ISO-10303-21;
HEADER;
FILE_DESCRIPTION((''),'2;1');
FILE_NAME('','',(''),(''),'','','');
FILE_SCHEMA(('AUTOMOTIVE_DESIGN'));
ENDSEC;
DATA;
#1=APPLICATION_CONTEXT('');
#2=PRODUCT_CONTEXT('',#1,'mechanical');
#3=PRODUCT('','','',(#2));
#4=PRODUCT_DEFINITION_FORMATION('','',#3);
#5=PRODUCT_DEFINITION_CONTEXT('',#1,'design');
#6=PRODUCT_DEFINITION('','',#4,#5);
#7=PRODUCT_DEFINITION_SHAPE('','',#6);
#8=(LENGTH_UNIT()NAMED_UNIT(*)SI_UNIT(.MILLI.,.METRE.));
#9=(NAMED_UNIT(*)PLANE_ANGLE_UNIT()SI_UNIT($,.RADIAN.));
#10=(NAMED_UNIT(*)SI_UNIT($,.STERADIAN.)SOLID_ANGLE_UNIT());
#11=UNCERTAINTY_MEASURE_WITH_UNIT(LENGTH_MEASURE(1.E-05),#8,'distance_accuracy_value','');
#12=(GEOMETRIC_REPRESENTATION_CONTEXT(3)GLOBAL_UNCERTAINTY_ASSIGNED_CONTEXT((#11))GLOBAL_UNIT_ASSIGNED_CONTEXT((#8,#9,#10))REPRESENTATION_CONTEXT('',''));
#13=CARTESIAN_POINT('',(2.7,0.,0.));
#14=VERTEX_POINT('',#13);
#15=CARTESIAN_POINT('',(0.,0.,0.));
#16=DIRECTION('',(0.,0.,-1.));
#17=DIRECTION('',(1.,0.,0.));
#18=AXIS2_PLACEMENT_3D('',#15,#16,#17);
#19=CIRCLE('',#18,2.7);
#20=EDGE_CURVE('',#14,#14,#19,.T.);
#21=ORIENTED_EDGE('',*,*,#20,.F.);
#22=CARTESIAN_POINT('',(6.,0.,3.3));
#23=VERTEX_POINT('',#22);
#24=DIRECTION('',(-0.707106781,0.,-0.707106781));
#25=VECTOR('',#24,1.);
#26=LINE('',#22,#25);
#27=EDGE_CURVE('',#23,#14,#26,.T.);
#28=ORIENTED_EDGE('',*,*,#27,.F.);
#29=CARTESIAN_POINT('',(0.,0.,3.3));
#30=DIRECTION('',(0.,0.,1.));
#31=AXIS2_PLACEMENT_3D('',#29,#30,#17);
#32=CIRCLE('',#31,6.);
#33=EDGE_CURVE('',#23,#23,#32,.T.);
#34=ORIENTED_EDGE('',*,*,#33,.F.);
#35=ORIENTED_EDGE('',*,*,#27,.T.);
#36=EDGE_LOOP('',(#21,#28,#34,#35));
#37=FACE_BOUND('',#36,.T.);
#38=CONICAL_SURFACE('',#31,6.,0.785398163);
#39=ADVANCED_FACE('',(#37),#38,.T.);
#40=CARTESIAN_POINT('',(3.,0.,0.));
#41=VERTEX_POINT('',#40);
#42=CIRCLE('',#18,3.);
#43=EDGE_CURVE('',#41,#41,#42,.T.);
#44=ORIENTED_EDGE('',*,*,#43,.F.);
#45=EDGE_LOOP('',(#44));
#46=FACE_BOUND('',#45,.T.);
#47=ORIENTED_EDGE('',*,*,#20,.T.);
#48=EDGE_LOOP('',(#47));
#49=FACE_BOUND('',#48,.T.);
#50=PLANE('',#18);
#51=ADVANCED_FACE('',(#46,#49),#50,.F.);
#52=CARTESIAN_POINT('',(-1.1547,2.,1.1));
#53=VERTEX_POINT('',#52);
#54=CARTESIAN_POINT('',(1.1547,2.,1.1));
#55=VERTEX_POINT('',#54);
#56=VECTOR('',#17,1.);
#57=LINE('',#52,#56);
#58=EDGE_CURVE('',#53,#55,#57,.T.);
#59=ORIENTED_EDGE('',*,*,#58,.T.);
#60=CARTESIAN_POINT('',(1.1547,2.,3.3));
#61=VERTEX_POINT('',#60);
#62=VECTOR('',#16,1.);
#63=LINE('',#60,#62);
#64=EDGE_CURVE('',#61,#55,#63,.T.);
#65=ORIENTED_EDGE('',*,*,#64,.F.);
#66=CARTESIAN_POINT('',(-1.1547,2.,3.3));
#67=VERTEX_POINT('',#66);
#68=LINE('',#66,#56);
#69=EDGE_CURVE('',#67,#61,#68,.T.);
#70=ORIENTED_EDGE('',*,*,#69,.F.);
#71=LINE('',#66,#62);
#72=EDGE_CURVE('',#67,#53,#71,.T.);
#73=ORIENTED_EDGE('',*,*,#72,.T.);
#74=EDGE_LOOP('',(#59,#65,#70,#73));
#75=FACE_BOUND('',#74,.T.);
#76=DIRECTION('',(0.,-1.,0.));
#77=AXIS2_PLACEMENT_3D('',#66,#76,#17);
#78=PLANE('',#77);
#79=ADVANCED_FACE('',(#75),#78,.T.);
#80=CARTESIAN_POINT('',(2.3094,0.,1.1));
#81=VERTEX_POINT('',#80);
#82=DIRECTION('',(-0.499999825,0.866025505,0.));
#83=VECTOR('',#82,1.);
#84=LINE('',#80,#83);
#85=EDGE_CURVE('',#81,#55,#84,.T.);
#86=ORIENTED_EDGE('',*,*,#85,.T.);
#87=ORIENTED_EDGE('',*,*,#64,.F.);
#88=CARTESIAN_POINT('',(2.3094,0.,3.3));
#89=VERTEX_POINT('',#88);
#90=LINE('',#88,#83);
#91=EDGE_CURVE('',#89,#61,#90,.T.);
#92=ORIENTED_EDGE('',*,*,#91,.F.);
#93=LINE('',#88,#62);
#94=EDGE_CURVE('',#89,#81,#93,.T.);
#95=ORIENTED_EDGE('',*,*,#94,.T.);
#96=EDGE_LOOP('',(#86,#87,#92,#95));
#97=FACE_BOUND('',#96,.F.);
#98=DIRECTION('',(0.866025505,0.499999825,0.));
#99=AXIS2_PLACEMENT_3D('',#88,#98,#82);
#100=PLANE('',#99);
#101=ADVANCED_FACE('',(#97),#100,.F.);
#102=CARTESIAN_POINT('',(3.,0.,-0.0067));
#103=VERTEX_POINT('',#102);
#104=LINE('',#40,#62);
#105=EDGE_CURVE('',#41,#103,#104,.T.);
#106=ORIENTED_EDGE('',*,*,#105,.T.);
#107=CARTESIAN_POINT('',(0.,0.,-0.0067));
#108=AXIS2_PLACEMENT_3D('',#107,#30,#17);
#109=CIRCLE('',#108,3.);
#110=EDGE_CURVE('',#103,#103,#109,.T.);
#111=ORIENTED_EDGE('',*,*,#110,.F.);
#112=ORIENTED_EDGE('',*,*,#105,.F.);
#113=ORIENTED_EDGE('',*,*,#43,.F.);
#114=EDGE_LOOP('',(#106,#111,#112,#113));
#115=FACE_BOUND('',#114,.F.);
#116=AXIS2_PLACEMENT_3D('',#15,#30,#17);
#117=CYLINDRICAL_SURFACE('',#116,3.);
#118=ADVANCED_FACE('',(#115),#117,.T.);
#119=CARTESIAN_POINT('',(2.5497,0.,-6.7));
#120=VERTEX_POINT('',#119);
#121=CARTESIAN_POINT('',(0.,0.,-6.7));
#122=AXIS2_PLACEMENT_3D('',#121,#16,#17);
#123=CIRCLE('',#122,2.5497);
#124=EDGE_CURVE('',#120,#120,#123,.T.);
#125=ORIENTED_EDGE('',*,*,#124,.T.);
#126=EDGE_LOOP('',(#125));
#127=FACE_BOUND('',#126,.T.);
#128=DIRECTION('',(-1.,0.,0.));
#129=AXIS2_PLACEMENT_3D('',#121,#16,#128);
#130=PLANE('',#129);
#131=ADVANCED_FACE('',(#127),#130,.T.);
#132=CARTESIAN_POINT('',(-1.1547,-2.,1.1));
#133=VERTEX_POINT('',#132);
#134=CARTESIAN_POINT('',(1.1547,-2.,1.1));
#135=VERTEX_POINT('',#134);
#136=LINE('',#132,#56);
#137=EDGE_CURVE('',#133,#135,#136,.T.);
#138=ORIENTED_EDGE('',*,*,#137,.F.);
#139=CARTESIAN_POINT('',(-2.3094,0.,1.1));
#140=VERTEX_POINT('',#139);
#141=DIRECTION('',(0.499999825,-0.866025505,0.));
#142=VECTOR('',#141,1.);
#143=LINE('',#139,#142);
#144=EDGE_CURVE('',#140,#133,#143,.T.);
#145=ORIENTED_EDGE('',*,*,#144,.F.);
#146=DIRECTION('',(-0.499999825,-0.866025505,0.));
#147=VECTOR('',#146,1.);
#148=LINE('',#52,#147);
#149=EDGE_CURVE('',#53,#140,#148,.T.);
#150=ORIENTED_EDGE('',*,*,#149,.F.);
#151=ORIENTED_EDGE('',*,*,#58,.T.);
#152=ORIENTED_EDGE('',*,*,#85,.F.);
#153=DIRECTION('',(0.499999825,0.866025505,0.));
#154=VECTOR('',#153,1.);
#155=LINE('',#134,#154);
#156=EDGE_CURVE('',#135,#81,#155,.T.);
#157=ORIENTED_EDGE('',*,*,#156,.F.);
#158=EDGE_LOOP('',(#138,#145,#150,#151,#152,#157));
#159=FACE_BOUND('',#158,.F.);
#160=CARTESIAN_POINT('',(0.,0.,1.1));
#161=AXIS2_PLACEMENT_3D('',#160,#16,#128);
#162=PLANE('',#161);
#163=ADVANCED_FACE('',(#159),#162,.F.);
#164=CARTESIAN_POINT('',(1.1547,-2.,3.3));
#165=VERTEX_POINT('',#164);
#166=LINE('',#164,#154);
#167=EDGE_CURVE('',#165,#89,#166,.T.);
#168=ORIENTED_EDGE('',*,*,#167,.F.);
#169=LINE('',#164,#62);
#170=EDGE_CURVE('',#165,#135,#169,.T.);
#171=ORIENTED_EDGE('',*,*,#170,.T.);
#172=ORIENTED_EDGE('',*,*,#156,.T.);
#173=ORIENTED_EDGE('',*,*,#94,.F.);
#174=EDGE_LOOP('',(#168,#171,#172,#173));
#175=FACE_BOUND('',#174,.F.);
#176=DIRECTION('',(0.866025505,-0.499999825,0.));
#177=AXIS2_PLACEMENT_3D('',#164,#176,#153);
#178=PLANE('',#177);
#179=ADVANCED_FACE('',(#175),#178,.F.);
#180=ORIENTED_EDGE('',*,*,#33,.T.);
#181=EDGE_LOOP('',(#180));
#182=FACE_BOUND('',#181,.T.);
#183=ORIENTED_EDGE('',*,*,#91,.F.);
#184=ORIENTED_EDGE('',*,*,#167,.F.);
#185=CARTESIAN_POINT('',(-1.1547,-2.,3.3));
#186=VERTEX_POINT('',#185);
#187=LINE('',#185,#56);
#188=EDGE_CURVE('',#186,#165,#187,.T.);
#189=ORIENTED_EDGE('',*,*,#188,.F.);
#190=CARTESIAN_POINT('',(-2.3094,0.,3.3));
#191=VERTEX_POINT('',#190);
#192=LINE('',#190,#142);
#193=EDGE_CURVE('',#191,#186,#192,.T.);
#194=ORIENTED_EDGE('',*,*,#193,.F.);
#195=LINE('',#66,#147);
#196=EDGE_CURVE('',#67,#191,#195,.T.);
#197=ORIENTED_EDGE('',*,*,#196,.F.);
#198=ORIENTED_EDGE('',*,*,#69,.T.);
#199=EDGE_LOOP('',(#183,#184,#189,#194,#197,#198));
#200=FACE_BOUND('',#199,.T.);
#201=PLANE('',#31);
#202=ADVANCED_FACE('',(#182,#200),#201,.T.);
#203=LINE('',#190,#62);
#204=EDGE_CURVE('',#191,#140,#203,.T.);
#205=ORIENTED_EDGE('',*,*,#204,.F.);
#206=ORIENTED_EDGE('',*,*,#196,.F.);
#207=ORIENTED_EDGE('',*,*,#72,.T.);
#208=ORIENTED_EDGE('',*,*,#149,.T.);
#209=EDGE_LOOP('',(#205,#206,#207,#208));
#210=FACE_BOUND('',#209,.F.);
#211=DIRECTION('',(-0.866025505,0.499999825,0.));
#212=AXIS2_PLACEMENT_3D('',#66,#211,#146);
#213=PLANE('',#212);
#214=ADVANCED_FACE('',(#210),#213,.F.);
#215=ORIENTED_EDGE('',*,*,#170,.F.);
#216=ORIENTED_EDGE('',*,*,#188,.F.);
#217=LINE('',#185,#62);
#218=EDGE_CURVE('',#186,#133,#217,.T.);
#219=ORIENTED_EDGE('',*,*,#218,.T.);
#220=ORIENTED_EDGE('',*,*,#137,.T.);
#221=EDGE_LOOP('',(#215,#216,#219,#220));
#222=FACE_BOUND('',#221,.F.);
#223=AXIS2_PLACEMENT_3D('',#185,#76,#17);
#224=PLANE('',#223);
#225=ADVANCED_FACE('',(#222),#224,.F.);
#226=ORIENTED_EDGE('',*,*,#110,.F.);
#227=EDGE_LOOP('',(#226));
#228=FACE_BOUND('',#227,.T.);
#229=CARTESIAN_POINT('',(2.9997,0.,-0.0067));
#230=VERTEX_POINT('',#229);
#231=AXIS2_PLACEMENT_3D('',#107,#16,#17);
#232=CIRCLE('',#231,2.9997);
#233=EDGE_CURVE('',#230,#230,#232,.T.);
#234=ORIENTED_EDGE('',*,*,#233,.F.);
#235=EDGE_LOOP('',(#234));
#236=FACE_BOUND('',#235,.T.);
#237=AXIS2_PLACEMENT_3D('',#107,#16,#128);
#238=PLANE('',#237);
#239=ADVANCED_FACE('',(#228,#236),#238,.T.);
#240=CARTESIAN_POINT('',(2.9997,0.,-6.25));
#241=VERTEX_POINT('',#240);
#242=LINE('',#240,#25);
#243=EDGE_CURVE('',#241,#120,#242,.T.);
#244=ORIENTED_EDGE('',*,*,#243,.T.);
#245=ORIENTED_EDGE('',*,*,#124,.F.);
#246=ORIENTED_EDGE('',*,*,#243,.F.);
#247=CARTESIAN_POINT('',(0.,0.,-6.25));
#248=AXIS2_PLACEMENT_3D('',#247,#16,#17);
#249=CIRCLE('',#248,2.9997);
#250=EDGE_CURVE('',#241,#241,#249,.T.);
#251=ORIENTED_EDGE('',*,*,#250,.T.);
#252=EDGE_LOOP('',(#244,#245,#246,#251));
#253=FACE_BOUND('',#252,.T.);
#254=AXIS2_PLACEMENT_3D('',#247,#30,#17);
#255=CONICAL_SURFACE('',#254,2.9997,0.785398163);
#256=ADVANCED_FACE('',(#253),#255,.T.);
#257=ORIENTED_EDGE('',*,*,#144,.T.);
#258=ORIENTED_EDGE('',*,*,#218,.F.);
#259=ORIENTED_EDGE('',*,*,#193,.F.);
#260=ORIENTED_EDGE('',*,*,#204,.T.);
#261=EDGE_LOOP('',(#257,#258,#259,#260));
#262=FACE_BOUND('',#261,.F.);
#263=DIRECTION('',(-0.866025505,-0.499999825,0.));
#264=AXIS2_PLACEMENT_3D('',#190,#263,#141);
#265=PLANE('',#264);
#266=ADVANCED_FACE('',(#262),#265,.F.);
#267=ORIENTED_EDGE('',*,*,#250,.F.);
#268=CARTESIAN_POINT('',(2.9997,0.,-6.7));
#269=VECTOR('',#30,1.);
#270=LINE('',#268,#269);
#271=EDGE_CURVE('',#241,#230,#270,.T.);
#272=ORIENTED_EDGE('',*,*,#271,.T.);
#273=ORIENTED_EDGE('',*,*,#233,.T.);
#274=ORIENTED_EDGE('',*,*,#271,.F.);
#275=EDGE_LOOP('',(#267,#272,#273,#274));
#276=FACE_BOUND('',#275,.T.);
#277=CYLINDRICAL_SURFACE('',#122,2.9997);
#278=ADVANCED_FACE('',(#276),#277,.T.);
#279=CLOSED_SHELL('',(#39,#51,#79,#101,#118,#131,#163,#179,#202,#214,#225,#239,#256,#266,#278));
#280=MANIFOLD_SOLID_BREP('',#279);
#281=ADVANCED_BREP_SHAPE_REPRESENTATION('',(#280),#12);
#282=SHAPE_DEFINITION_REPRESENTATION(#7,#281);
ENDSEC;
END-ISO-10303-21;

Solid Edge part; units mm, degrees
sketch "Sketch1" plane through (0, 0, 0) normal (0, 0, 1) x (1, 0, 0)
  circle A0 centre (0, 0) radius 6
  dimension "D1" = 12
extrude "Protrusion1" add sketch "Sketch1" along normal blind 3.3
sketch "Sketch2" plane through (0, 0, 0) normal (0, 0, -1) x (1, 0, 0)
  circle A0 centre (0, 0) radius 3
extrude "Protrusion2" add sketch "Sketch2" along normal blind 6.7
sketch "Sketch3" plane through (0, 0, -6.7) normal (0, 0, -1) x (1, 0, 0)
  circle A0 centre (0, 0) radius 2.9997
extrude "Cutout1" cut sketch "Sketch3" against normal blind 6.6933 flip side to cut
chamfer "Chamfer_1" distance 0.45 angle 45 1 edges at (-2.9997, 0, -6.7)
sketch "Sketch4" plane through (0, 0, 3.3) normal (0, 0, 1) x (1, 0, 0)
  line L0 (-1.1547, 2) -> (1.1547, 2)
  line L1 (2.3094, 0) -> (1.1547, 2)
  line L2 (1.1547, -2) -> (2.3094, 0)
  line L3 (-1.1547, -2) -> (1.1547, -2)
  line L4 (-2.3094, 0) -> (-1.1547, -2)
  line L5 (-1.1547, 2) -> (-2.3094, 0)
  dimension "D1" = 4
extrude "Cutout2" cut sketch "Sketch4" against normal blind 2.2
sketch "Sketch5" plane through (0, 0, 0) normal (0, -1, 0) x (1, 0, 0)
  line L0 (6, 3.3) -> (2.7, 0)
  line L1 (2.7, 0) -> (6, 0)
  line L2 (6, 0) -> (6, 3.3)
revolve "RevolvedCutout1" cut sketch "Sketch5" angle 360 about axis through (0, 0, 14.0017) along (0, 0, -1)
properties part number "24100325"
